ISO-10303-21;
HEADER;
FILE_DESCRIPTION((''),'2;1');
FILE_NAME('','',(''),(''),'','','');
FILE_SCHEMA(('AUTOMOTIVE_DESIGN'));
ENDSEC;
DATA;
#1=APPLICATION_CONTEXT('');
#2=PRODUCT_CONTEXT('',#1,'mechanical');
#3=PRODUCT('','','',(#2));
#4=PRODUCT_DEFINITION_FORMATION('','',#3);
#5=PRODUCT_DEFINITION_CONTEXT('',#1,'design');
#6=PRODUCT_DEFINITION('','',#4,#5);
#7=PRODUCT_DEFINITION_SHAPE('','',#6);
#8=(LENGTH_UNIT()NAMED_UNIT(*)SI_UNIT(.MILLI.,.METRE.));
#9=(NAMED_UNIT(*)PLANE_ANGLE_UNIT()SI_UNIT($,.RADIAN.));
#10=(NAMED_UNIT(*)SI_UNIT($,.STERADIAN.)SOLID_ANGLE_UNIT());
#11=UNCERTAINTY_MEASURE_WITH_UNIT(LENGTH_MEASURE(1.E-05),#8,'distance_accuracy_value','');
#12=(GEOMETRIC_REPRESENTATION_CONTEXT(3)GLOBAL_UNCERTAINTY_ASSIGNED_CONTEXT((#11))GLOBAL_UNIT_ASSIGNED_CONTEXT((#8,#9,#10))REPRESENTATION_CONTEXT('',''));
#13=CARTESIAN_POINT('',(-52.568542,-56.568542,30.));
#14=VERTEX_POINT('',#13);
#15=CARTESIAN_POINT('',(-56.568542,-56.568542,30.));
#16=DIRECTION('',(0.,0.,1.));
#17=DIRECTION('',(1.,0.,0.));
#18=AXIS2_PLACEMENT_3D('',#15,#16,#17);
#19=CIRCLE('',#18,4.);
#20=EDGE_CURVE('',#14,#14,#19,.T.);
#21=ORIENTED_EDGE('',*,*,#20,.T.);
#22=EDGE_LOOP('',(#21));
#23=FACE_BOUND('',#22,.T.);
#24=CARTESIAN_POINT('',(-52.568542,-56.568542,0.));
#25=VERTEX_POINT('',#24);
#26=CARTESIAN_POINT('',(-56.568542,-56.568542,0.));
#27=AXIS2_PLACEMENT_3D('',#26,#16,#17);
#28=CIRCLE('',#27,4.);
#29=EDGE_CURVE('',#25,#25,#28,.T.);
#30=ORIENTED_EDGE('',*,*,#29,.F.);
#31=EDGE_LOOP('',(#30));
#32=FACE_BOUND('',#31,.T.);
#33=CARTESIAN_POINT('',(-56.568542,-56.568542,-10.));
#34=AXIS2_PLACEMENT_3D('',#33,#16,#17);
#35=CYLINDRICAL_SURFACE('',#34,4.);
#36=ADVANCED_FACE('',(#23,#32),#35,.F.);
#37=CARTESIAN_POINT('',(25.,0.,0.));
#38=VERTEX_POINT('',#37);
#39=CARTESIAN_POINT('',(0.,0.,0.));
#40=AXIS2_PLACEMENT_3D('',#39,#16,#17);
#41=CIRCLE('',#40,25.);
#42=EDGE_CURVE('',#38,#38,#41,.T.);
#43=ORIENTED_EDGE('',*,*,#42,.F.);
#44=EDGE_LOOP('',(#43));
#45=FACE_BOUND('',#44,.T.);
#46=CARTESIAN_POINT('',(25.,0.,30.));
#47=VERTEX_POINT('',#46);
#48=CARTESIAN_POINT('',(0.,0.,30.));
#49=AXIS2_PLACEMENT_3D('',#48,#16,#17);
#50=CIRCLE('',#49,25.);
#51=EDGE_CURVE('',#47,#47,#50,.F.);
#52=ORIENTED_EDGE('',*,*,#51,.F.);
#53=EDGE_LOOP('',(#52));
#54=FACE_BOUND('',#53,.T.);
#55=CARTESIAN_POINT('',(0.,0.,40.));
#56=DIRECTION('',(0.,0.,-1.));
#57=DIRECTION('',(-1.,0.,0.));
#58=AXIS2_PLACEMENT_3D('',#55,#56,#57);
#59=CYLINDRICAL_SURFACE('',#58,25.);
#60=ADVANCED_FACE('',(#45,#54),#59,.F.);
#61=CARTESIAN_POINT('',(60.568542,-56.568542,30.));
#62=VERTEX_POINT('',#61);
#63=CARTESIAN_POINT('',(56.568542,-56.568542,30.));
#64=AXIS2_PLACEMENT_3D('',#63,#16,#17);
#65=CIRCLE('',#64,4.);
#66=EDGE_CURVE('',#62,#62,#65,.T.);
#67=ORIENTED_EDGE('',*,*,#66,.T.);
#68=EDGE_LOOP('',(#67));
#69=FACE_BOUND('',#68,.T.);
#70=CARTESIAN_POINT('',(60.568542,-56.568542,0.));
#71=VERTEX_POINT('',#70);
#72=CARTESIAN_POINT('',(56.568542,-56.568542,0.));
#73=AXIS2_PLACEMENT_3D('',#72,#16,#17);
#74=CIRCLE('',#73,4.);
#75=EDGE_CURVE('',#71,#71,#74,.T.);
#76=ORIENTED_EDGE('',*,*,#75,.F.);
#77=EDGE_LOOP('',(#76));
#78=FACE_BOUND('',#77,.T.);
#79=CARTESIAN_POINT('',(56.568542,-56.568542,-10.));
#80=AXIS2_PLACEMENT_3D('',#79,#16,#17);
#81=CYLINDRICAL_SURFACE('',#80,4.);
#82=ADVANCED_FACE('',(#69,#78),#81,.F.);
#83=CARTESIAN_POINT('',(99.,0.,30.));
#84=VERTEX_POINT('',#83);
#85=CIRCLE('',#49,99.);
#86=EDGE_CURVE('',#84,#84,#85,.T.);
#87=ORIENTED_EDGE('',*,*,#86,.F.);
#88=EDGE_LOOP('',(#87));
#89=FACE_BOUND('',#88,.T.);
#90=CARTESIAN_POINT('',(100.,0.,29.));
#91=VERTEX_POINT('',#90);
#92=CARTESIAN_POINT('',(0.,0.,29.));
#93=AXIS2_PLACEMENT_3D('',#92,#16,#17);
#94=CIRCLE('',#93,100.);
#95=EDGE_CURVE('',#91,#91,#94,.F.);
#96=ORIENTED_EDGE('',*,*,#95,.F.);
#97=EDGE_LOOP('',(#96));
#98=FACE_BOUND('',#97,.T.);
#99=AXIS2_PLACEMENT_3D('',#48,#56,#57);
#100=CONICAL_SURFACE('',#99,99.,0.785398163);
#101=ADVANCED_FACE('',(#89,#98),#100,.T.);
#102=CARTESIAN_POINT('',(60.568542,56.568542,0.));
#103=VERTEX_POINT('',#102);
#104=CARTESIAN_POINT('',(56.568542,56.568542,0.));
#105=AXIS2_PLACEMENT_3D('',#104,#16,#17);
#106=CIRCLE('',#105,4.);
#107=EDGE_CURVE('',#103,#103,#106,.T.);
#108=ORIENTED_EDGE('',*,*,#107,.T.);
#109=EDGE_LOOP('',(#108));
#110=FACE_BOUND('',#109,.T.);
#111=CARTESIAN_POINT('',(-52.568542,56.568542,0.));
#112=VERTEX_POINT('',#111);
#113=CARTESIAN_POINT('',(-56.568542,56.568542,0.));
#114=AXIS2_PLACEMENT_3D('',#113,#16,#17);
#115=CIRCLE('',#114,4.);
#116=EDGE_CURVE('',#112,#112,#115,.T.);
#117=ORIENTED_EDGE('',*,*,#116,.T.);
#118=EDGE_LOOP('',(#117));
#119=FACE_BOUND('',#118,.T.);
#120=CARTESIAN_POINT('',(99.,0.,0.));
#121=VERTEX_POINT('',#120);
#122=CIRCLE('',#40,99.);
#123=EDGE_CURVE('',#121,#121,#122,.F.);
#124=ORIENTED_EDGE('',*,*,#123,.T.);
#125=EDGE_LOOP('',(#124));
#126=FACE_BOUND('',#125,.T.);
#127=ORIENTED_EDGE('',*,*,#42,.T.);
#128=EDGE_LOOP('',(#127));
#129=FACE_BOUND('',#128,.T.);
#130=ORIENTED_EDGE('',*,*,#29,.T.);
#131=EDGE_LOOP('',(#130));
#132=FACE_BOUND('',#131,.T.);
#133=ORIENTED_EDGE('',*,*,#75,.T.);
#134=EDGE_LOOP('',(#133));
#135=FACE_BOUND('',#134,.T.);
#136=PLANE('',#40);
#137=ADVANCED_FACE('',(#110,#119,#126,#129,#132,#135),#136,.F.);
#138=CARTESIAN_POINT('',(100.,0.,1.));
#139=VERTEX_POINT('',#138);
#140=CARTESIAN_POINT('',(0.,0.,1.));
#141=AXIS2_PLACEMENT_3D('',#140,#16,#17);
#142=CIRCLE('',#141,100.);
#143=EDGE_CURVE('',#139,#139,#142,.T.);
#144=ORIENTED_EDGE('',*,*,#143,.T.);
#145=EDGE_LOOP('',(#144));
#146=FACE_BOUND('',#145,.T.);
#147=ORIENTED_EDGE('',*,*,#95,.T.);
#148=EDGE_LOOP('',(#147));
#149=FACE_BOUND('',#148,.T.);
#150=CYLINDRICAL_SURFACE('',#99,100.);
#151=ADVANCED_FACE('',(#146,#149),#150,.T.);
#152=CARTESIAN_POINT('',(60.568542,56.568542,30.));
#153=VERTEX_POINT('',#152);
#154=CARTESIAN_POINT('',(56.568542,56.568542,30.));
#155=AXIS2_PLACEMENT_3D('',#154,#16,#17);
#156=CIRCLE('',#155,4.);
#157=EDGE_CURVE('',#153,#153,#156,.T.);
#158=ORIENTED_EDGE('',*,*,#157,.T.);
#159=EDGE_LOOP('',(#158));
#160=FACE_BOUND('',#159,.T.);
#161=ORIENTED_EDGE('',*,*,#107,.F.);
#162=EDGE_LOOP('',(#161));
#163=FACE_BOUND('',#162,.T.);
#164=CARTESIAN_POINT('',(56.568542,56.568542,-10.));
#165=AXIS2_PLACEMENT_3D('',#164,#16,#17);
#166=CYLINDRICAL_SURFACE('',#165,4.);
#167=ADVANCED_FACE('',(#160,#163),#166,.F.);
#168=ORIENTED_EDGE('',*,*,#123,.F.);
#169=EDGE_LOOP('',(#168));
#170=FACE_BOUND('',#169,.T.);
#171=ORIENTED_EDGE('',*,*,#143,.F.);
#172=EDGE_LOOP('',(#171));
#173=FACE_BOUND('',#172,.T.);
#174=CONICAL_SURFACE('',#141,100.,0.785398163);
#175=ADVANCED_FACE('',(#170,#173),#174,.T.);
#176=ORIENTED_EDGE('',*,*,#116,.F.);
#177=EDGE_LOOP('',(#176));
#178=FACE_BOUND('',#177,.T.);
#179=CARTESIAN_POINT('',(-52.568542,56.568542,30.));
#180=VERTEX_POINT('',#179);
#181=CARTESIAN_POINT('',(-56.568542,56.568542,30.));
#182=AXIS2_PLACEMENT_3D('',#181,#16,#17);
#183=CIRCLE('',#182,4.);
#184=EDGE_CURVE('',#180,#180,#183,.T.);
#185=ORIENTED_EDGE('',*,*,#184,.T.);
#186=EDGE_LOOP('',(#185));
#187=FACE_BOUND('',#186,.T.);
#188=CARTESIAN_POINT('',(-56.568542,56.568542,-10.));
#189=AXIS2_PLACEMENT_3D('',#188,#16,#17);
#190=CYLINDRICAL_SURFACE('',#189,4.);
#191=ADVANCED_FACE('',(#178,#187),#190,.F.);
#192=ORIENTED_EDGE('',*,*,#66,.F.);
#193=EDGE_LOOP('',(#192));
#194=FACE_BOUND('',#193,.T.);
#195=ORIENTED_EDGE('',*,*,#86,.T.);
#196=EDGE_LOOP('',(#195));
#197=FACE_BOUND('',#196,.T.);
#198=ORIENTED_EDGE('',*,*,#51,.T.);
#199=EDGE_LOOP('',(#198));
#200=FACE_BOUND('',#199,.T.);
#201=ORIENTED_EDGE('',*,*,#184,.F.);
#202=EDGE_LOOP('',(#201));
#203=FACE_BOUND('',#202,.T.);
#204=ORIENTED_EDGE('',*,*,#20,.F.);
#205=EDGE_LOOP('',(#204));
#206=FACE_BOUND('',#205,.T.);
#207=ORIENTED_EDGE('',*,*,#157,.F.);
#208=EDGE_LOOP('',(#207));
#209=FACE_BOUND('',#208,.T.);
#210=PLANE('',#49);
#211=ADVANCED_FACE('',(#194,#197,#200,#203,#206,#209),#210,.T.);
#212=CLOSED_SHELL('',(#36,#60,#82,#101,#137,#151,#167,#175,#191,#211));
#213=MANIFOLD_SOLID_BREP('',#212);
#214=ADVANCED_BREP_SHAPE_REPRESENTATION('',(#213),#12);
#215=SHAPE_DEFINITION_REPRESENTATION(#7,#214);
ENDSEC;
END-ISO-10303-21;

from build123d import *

# Parameters (mm, degrees)
SKETCH1_R           = 100
BOSS_EXTRUDE1_DEPTH = 30
SKETCH2_R           = 25
CUT_EXTRUDE2_DEPTH  = 40
SKETCH3_R           = 4
CUT_EXTRUDE3_DEPTH  = 40
CHAMFER1_SIZE       = 1
CHAMFER2_SIZE       = 1


with BuildPart() as part:
    # Sketch1 → Boss-Extrude1 (new body)
    with BuildSketch(Plane.XY):
        Circle(SKETCH1_R)
    extrude(amount=BOSS_EXTRUDE1_DEPTH)

    # Sketch2 → Cut-Extrude2 (cut)
    with BuildSketch(Plane.XY):
        Circle(SKETCH2_R)
    extrude(amount=CUT_EXTRUDE2_DEPTH, mode=Mode.SUBTRACT)

    # Sketch3 → Cut-Extrude3 (cut)
    with BuildSketch(Plane.XY.offset(30)):
        with Locations((56.568542495, 56.568542495)):
            Circle(SKETCH3_R)
        with Locations((-56.568542495, 56.568542495)):
            Circle(SKETCH3_R)
        with Locations((-56.568542495, -56.568542495)):
            Circle(SKETCH3_R)
        with Locations((56.568542495, -56.568542495)):
            Circle(SKETCH3_R)
    extrude(amount=-CUT_EXTRUDE3_DEPTH, mode=Mode.SUBTRACT)

    # Chamfer1
    chamfer1_edges = [part.edges().sort_by_distance(p)[0] for p in [
        (-100, 0, 0),
    ]]
    chamfer(chamfer1_edges, length=CHAMFER1_SIZE)

    # Chamfer2
    chamfer2_edges = [part.edges().sort_by_distance(p)[0] for p in [
        (-100, 0, 30),
    ]]
    chamfer(chamfer2_edges, length=CHAMFER2_SIZE)


solid = part.part
